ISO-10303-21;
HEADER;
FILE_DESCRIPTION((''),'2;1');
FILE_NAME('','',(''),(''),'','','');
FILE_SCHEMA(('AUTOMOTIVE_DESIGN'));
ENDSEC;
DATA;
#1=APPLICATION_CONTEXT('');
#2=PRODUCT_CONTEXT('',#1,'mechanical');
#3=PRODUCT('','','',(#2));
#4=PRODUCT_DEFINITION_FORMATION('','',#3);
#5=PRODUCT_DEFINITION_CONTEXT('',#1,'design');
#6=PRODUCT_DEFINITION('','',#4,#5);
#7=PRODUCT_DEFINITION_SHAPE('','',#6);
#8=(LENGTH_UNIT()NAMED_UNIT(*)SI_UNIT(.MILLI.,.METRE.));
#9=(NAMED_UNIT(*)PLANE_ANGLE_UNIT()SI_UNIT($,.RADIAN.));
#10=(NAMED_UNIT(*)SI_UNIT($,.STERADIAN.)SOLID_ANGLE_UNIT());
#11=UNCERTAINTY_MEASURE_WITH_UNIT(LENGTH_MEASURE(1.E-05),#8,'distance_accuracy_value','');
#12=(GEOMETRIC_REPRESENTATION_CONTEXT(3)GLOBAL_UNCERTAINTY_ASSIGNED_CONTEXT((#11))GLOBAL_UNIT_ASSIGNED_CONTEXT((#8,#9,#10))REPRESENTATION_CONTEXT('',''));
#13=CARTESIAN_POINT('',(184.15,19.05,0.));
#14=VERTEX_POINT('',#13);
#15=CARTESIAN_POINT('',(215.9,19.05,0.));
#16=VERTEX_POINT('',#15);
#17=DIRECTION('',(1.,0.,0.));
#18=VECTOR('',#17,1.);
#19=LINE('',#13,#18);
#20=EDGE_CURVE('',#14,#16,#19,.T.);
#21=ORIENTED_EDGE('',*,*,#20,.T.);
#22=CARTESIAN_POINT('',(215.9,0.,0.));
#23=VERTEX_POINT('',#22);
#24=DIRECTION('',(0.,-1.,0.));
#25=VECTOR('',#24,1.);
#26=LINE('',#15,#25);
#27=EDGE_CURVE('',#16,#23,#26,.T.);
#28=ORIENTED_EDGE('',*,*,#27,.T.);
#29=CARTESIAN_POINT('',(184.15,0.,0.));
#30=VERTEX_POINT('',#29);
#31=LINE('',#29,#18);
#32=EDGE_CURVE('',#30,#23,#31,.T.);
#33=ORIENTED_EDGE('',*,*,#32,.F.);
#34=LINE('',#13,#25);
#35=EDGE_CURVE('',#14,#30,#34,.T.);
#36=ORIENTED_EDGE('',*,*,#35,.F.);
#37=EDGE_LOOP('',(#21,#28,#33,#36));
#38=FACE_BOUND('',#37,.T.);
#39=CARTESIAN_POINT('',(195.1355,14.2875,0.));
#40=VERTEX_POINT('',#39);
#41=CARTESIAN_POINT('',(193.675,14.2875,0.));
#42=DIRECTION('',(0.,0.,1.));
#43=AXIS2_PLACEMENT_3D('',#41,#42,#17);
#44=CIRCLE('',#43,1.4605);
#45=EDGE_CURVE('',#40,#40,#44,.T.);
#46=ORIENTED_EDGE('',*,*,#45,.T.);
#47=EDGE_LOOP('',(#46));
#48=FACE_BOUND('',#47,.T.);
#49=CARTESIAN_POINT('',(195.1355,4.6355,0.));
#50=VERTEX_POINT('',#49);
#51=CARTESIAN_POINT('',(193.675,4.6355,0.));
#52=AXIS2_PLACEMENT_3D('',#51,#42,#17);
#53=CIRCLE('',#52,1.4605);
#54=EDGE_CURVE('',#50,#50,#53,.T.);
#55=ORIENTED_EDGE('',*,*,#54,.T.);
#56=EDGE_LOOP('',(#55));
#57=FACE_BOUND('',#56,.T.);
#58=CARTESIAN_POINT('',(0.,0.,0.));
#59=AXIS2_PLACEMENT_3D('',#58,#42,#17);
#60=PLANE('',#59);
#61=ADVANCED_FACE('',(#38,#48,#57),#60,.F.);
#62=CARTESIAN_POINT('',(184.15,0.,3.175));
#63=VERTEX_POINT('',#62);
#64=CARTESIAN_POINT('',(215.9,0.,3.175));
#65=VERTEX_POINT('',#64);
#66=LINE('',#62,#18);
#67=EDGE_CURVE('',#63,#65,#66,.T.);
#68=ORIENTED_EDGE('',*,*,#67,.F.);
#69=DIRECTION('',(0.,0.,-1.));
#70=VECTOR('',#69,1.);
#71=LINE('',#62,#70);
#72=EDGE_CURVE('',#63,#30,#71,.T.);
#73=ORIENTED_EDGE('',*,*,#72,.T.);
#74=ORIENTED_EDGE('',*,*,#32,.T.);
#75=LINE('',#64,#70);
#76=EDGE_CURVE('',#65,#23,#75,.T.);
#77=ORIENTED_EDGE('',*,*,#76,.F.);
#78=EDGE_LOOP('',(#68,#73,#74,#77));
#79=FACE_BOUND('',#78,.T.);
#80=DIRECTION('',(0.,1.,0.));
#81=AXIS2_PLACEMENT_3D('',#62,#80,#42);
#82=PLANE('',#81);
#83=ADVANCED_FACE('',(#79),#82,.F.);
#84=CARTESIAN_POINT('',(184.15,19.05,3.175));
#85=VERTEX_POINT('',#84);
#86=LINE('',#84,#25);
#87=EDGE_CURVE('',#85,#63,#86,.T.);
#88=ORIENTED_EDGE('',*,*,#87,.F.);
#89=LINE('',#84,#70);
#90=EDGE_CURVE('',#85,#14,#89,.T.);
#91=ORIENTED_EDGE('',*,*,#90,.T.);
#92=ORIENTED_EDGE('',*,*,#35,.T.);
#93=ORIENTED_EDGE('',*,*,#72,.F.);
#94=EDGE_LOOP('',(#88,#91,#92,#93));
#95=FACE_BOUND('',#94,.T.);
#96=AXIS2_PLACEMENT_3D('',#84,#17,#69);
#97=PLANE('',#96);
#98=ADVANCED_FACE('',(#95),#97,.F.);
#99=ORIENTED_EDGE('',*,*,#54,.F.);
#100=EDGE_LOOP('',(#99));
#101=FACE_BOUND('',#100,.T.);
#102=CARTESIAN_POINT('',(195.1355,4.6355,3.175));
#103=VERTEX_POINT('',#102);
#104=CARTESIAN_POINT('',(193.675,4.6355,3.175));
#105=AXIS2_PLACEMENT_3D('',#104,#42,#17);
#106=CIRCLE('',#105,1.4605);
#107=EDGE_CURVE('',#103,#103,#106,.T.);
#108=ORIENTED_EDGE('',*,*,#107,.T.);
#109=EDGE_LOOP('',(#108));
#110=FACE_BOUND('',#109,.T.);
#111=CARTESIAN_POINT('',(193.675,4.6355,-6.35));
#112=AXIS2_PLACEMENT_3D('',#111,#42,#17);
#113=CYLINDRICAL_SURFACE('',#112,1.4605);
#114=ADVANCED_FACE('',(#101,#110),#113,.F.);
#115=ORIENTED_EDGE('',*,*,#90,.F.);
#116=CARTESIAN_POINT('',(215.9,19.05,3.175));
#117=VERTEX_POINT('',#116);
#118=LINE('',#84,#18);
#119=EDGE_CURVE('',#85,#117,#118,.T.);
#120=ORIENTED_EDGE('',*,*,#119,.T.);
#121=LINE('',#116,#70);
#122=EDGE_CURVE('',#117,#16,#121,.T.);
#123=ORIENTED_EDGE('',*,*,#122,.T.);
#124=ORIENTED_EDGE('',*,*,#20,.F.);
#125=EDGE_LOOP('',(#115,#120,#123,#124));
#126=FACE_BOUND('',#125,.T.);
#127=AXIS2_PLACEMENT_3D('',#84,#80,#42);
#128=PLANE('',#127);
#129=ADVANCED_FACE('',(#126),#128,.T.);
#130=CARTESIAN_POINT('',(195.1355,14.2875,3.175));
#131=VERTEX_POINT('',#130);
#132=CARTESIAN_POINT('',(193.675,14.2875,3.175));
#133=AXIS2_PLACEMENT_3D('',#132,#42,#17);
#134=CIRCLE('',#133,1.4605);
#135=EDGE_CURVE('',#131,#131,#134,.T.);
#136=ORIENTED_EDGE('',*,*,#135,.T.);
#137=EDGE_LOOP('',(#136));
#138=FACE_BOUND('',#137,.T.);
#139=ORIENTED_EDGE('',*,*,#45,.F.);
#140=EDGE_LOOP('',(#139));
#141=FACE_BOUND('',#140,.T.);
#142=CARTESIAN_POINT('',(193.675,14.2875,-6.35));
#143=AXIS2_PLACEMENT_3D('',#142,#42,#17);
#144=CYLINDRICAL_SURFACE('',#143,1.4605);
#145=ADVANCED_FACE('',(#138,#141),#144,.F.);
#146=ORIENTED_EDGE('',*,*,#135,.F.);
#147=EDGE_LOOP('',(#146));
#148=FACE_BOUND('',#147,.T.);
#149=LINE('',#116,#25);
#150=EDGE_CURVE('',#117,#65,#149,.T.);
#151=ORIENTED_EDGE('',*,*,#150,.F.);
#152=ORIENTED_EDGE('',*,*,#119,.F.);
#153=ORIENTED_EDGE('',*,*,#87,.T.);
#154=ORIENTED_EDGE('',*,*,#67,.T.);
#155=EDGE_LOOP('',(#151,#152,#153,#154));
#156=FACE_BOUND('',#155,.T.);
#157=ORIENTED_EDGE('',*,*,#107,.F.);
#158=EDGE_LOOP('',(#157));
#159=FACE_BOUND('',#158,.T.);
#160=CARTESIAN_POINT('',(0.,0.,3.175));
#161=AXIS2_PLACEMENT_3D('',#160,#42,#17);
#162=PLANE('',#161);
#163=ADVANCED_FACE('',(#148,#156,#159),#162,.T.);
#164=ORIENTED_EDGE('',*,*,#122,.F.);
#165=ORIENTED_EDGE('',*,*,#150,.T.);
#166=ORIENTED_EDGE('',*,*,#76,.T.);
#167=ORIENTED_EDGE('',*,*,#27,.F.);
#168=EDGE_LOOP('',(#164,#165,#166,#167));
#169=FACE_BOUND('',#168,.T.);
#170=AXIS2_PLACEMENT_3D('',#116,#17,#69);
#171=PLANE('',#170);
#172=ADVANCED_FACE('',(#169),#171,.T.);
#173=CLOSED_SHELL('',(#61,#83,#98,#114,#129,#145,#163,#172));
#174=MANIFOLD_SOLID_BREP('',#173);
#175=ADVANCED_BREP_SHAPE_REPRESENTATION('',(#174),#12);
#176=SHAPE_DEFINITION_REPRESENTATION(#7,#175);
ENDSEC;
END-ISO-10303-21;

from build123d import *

# Parameters (mm, degrees)
SKETCH1_W           = 31.75
SKETCH1_H           = 19.05
BOSS_EXTRUDE1_DEPTH = 3.175
SKETCH2_R           = 1.4605
CUT_EXTRUDE1_DEPTH  = 9.525


with BuildPart() as part:
    # Sketch1 → Boss-Extrude1 (new body)
    with BuildSketch(Plane.XY):
        with Locations((200.025, 9.525)):
            Rectangle(SKETCH1_W, SKETCH1_H)
    extrude(amount=BOSS_EXTRUDE1_DEPTH)

    # Sketch2 → Cut-Extrude1 (cut)
    with BuildSketch(Plane.XY.offset(3.175)):
        with Locations((193.675, 14.2875)):
            Circle(SKETCH2_R)
        with Locations((193.675, 4.6355)):
            Circle(SKETCH2_R)
    extrude(amount=-CUT_EXTRUDE1_DEPTH, mode=Mode.SUBTRACT)


solid = part.part
